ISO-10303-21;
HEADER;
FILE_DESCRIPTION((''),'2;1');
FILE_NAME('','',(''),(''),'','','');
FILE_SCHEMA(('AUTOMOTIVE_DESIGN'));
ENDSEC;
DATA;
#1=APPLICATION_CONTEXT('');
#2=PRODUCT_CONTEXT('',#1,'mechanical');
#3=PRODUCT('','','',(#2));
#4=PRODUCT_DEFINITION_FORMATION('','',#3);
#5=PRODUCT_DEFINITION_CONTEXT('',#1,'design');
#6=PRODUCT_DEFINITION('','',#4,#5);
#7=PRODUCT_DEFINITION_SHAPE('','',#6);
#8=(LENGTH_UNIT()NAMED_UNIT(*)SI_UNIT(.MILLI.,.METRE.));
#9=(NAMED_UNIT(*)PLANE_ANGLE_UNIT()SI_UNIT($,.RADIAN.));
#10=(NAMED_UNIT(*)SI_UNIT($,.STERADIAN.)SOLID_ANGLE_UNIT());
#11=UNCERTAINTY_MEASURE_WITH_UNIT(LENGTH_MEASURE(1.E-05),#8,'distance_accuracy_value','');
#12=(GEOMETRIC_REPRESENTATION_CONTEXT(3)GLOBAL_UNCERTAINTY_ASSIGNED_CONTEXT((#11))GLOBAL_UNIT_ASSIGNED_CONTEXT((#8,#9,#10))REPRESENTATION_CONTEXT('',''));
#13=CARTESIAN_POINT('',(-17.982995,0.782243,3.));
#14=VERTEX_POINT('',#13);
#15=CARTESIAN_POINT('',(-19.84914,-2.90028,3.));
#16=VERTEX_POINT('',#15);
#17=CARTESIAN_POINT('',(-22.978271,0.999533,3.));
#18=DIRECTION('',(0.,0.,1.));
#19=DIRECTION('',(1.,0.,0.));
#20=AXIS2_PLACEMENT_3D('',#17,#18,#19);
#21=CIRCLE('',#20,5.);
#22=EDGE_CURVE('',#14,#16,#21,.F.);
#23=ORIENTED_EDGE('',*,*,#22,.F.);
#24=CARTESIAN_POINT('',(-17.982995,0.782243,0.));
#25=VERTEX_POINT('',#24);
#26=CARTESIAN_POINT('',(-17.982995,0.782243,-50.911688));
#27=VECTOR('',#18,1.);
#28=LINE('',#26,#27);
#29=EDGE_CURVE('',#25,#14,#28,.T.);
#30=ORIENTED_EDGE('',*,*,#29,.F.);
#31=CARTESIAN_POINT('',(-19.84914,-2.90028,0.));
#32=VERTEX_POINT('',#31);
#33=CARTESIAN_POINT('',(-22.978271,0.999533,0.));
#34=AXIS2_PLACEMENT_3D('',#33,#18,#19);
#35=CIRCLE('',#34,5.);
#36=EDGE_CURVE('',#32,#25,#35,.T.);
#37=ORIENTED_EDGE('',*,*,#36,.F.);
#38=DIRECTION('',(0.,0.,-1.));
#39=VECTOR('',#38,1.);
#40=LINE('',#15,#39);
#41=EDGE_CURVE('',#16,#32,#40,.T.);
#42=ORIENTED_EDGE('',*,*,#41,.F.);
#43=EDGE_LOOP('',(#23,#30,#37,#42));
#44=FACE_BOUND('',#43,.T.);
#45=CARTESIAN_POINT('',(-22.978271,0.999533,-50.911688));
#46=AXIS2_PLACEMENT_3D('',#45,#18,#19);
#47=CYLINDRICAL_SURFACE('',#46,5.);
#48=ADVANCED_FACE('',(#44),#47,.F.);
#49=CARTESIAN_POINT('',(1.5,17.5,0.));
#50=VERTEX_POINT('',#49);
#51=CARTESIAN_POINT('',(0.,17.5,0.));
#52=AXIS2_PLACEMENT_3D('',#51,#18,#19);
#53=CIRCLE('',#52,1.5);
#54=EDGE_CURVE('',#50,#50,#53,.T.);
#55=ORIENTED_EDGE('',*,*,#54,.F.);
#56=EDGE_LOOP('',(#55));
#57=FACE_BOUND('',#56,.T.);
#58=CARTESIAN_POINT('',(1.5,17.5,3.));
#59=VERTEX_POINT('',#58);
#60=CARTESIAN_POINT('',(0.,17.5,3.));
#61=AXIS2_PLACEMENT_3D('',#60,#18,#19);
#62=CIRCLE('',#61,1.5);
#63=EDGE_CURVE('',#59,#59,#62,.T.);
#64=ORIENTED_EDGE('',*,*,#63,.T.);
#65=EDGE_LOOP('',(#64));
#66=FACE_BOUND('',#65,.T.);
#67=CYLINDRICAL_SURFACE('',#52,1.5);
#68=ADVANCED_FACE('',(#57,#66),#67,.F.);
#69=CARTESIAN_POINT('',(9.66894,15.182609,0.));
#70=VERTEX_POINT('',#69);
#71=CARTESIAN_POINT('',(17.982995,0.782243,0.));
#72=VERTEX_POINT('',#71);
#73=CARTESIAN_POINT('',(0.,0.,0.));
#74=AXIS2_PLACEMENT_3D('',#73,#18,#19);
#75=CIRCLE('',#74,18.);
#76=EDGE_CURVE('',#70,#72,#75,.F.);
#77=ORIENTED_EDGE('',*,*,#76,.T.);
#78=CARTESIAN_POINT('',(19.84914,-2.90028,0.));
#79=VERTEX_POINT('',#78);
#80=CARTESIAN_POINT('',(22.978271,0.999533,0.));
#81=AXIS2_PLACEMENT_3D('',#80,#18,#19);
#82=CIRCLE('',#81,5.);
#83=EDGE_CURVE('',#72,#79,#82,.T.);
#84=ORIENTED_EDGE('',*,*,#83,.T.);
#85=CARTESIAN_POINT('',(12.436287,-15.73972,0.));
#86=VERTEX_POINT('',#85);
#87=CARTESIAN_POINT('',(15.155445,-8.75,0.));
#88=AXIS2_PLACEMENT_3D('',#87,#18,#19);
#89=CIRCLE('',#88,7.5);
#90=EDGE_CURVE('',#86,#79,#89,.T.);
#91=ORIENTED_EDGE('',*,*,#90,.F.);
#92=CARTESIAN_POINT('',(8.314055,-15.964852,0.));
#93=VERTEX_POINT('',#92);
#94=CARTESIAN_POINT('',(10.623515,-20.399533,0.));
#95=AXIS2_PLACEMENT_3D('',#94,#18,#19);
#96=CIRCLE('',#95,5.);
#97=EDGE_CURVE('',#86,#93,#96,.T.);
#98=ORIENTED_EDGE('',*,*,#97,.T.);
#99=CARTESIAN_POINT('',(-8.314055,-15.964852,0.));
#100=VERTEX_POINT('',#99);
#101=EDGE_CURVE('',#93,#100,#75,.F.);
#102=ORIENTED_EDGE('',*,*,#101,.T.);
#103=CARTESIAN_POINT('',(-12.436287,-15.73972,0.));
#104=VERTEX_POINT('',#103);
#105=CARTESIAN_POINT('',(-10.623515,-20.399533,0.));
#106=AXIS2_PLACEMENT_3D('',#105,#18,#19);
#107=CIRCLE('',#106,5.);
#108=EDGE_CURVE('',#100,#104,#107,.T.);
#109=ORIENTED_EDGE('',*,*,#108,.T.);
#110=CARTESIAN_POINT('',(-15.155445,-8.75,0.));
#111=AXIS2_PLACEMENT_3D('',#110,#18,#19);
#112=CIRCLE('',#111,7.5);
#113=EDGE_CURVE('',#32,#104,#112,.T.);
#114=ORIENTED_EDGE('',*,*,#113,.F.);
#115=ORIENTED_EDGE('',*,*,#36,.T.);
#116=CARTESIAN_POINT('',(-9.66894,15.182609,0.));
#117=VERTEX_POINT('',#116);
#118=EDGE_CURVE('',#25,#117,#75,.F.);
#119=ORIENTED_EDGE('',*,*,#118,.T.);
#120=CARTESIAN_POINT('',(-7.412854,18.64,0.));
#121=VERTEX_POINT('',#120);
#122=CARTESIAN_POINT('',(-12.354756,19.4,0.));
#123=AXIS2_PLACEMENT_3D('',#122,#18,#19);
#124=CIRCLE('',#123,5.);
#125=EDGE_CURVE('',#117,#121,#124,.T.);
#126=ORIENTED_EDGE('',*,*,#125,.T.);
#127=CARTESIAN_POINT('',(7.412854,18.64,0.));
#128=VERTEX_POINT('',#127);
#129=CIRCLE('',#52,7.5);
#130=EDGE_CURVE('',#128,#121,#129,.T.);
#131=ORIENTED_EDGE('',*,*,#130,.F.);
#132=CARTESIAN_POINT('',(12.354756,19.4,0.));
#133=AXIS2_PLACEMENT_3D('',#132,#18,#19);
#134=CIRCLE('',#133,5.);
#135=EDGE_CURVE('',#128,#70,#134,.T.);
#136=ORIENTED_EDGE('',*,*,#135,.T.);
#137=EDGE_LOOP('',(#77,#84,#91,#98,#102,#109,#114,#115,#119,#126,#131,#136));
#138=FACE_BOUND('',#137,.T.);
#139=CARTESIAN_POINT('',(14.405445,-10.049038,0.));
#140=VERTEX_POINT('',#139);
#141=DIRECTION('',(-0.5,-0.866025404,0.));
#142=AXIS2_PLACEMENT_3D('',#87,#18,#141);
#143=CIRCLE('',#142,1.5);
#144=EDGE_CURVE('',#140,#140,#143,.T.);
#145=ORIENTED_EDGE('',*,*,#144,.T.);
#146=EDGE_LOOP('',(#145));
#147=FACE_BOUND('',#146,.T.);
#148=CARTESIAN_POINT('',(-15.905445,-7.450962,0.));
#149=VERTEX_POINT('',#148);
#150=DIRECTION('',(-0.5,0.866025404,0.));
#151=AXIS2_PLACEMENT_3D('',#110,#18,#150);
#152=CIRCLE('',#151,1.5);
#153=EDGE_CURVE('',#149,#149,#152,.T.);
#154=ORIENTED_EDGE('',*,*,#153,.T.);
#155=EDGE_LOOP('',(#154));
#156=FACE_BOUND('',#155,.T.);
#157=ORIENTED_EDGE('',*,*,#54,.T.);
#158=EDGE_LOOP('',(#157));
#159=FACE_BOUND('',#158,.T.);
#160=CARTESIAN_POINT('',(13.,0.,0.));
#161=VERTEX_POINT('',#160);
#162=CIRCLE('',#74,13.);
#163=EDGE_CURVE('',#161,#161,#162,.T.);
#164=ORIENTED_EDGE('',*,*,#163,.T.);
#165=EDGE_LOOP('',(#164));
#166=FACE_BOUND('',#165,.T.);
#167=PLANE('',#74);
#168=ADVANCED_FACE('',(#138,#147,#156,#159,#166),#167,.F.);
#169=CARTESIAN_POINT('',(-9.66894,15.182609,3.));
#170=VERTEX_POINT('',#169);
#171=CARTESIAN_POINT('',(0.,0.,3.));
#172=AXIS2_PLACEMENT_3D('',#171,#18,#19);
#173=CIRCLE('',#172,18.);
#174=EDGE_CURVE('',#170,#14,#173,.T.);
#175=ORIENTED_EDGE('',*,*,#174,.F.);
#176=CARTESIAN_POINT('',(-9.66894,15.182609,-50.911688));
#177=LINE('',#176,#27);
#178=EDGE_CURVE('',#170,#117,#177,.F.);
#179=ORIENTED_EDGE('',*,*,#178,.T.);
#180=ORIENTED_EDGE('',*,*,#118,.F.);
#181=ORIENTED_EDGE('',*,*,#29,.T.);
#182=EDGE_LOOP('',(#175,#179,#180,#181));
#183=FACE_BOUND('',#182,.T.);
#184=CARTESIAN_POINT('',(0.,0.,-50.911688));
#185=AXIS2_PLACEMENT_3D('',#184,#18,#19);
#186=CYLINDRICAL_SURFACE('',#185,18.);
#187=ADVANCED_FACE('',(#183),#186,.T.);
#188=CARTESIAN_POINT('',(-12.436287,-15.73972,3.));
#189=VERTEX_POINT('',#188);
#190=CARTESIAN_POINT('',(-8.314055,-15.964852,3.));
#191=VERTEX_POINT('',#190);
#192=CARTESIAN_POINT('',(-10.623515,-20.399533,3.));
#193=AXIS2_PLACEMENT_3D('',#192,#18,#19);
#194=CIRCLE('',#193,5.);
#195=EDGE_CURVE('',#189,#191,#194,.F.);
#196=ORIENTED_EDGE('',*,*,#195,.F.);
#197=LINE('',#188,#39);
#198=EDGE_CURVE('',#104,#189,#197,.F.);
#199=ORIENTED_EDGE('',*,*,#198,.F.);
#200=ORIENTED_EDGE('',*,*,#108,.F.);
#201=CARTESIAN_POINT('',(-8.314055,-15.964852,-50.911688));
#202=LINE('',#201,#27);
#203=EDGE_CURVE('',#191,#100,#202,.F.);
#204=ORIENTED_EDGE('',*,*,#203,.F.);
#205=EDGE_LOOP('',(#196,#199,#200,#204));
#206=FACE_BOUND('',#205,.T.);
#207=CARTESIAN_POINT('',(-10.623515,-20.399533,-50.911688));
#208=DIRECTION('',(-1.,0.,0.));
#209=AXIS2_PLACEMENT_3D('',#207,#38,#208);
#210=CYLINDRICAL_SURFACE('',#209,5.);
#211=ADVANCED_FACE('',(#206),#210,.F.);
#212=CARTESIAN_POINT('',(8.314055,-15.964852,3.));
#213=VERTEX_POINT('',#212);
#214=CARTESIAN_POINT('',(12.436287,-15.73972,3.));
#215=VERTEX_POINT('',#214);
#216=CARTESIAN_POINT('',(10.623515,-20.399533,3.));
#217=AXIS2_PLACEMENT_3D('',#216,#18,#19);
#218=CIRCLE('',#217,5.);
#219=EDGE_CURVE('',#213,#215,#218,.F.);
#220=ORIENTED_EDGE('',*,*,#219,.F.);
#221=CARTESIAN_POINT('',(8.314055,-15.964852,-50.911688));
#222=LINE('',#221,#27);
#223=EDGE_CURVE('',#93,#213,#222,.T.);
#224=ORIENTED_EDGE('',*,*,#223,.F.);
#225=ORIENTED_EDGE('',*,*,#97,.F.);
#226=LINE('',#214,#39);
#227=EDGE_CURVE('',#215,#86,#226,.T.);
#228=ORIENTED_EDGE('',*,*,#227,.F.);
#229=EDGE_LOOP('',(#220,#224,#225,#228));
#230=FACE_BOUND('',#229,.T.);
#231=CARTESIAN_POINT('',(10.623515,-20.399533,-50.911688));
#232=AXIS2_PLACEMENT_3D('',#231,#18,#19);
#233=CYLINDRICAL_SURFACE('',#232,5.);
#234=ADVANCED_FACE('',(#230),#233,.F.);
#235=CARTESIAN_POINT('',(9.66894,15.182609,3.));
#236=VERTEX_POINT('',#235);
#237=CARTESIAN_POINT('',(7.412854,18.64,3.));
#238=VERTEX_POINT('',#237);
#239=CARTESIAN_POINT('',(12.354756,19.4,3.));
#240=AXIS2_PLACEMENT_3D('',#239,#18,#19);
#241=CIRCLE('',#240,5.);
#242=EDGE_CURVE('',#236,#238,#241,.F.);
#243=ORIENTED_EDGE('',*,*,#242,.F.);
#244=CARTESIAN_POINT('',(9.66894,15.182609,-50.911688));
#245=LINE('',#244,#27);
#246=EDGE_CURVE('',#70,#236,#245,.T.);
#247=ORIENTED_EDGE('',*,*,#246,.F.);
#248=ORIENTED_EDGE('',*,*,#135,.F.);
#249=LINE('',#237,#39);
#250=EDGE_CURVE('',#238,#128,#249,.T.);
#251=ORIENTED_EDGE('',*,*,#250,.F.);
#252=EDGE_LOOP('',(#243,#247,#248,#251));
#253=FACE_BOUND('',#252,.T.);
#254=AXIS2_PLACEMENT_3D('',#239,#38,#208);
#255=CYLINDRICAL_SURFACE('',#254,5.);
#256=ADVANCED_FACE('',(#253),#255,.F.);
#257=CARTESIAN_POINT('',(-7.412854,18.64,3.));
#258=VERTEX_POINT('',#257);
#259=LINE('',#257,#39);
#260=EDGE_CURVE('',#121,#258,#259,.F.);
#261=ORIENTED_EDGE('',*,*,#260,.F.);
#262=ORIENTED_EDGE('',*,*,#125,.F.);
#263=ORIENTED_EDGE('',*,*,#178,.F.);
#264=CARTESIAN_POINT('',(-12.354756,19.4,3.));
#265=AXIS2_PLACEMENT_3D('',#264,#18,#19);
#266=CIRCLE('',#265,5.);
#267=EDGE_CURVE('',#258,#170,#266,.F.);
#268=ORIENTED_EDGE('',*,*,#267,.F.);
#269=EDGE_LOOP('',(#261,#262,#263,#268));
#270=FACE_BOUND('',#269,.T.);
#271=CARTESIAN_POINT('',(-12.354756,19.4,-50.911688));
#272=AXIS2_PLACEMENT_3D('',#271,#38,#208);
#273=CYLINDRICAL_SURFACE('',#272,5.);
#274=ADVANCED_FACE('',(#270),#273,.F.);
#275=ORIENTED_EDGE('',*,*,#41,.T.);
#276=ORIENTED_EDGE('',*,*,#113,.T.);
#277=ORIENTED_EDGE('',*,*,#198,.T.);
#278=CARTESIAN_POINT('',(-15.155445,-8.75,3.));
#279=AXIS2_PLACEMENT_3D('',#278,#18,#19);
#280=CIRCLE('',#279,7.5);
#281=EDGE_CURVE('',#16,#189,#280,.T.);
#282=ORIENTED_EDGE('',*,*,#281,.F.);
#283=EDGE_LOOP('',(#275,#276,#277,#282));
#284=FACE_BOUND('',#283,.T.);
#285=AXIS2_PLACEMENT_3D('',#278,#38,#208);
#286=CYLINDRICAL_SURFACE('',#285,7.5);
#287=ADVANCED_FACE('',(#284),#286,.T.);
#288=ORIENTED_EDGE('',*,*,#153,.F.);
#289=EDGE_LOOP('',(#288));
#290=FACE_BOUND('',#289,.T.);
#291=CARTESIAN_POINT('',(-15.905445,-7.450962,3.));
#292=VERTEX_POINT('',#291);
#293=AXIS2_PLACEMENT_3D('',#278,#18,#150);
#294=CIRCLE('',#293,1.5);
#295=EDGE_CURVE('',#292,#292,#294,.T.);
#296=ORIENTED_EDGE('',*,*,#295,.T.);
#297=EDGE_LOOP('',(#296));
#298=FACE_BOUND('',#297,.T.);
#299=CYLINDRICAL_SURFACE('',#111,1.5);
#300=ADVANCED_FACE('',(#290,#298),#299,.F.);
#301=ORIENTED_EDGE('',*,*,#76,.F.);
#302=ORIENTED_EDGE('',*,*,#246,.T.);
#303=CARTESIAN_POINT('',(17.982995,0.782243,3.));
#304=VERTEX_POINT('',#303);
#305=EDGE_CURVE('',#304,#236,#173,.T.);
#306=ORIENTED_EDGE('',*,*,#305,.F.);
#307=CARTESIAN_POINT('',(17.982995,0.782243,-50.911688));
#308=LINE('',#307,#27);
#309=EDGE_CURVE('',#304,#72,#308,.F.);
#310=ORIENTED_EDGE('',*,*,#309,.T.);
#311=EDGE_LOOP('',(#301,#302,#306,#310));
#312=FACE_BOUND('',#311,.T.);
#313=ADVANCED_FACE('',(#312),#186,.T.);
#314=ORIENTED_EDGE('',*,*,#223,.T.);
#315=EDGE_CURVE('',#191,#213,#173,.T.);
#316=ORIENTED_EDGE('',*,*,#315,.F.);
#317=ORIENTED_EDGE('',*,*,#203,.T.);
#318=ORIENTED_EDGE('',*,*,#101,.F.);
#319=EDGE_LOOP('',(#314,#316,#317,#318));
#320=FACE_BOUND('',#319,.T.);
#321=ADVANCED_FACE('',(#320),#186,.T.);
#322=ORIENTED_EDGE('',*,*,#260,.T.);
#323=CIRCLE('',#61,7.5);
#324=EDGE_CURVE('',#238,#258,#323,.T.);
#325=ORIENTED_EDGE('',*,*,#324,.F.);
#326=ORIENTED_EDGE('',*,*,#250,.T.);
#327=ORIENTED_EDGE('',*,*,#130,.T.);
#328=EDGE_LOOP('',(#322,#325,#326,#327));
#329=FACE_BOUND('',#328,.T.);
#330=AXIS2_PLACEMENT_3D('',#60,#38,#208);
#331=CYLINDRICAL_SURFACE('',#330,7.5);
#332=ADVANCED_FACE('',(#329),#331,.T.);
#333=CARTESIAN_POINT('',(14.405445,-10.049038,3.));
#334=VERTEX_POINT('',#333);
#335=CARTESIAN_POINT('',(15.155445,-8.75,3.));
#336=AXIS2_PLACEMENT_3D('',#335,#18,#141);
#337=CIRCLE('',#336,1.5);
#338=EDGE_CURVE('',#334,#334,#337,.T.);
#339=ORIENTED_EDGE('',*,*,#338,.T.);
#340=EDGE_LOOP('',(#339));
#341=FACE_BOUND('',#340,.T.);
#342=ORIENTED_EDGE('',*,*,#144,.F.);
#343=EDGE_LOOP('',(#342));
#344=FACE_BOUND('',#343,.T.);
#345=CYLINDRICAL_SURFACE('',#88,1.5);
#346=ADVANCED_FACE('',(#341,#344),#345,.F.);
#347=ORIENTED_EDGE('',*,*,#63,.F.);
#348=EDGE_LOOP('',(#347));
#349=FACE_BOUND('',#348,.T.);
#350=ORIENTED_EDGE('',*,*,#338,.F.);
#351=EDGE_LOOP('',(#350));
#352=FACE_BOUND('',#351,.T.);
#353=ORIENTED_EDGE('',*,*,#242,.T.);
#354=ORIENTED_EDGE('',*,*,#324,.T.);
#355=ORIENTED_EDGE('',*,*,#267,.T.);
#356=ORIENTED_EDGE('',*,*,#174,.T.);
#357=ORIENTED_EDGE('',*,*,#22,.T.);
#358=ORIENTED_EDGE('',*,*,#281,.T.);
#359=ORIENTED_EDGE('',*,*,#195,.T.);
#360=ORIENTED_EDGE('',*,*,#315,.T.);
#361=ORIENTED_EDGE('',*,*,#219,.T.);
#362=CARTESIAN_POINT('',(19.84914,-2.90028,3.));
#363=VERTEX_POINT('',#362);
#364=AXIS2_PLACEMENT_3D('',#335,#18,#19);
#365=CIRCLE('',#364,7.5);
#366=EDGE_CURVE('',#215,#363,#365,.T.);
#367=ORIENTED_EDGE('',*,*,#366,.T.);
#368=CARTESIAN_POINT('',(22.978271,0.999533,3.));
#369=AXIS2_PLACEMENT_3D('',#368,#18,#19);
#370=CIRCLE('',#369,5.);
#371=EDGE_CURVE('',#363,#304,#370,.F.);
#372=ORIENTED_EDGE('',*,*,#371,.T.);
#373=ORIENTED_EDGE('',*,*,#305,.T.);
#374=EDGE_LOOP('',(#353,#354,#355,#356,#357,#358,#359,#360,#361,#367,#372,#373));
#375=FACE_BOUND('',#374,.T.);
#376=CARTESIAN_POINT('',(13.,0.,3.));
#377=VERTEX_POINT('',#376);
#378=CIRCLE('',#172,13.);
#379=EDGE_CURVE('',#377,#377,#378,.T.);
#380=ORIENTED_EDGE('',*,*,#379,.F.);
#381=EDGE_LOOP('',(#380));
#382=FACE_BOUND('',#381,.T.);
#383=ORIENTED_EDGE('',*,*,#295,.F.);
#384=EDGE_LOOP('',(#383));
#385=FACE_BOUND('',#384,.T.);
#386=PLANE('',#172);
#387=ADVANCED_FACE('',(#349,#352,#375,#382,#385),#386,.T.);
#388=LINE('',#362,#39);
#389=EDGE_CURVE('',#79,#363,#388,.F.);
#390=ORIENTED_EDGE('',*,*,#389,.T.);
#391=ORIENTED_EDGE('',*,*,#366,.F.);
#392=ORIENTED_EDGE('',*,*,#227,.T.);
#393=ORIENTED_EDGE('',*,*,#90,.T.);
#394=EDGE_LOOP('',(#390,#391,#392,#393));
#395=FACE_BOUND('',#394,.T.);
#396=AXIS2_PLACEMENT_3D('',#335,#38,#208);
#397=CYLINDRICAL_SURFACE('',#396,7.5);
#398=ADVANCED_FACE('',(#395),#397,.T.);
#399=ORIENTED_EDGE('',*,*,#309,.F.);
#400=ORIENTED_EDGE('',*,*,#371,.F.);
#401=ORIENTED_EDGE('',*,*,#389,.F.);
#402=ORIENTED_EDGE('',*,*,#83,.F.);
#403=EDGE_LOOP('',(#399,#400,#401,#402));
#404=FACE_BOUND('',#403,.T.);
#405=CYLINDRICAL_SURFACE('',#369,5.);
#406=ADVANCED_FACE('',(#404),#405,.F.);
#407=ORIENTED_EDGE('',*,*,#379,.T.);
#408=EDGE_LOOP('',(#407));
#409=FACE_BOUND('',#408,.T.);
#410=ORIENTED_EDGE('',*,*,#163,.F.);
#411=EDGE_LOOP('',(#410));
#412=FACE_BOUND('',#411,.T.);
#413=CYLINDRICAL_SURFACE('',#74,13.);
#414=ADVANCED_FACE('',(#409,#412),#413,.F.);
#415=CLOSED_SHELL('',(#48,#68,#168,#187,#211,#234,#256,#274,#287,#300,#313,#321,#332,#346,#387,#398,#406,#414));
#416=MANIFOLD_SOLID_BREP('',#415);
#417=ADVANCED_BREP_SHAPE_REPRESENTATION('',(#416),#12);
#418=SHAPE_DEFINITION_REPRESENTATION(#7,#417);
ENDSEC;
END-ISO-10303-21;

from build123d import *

# Parameters (mm, degrees)
SKETCH_2_R               = 8.75
EXTRUDE_1_DEPTH          = 3
SKETCH_3_R               = 1.5
CUT_EXTRUDE_1_DEPTH      = 34.87136207
PATTERN_CIRCULAR_1_COUNT = 3
PATTERN_CIRCULAR_1_ANGLE = 240
SKETCH_4_R               = 18
EXTRUDE_2_DEPTH          = 3
FILLET_1_R               = 5
SKETCH_5_R               = 13
CUT_EXTRUDE_2_DEPTH      = 34.87136222
SKETCH_6_R               = 1.5
CUT_EXTRUDE_3_DEPTH      = 34.87136222
PATTERN_CIRCULAR_2_COUNT = 3
PATTERN_CIRCULAR_2_ANGLE = 240


with BuildPart() as part:
    # 草图2 → 凸台-拉伸1 (new body)
    with BuildSketch(Plane.XY):
        with BuildLine():
            ThreePointArc((11.405444566, -15.245190528), (21.650635095, -12.5), (18.905444566, -2.254809472))
            ThreePointArc((18.905444566, -2.254809472), (10.556079661, 6.094555434), (7.5, 17.5))
            ThreePointArc((7.5, 17.5), (0, 25), (-7.5, 17.5))
            ThreePointArc((-7.5, 17.5), (-10.556079661, 6.094555434), (-18.905444566, -2.254809472))
            ThreePointArc((-18.905444566, -2.254809472), (-21.650635095, -12.5), (-11.405444566, -15.245190528))
            ThreePointArc((-11.405444566, -15.245190528), (0, -12.189110868), (11.405444566, -15.245190528))
        make_face()
        Circle(SKETCH_2_R, mode=Mode.SUBTRACT)
    extrude(amount=EXTRUDE_1_DEPTH)

    # 草图3 → 切除-拉伸1 (cut, through all)
    with BuildSketch(Plane.XY.offset(3)):
        with Locations((0, 17.5)):
            Circle(SKETCH_3_R)
    cut_extrude_1 = extrude(amount=-CUT_EXTRUDE_1_DEPTH, mode=Mode.SUBTRACT)

    # 阵列(圆周)1: 切除-拉伸1 ×3 about axis
    pattern_circular_1_axis = Axis((0, 0, 0), (0, 0, -1))
    for i in range(1, PATTERN_CIRCULAR_1_COUNT):
        add(cut_extrude_1.rotate(pattern_circular_1_axis, i * PATTERN_CIRCULAR_1_ANGLE / (PATTERN_CIRCULAR_1_COUNT - 1)), mode=Mode.SUBTRACT)

    # 草图4 → 凸台-拉伸2 (add)
    with BuildSketch(Plane.XY.offset(3)):
        Circle(SKETCH_4_R)
    extrude(amount=-EXTRUDE_2_DEPTH)

    # 圆角1
    fillet_1_edges = [part.edges().sort_by_distance(p)[0] for p in [
        (17.923796485, -1.65454512, 1.5),
        (7.529020137, 16.349735649, 1.5),
        (-7.529020137, 16.349735649, 1.5),
        (-17.923796485, -1.65454512, 1.5),
        (-10.394776348, -14.695190528, 1.5),
        (10.394776348, -14.695190528, 1.5),
    ]]
    fillet(fillet_1_edges, radius=FILLET_1_R)

    # 草图5 → 切除-拉伸2 (cut, through all)
    with BuildSketch(Plane.XY.offset(3)):
        Circle(SKETCH_5_R)
    extrude(amount=-CUT_EXTRUDE_2_DEPTH, mode=Mode.SUBTRACT)

    # 草图6 → 切除-拉伸3 (cut, through all)
    with BuildSketch(Plane.XY.offset(3)):
        with Locations((0, 17.5)):
            Circle(SKETCH_6_R)
    extrude(amount=-CUT_EXTRUDE_3_DEPTH, mode=Mode.SUBTRACT)

    # 阵列(圆周)2: 切除-拉伸1 ×3 about axis
    pattern_circular_2_axis = Axis((0, 0, -50.911688245), (0, 0, 1))
    for i in range(1, PATTERN_CIRCULAR_2_COUNT):
        add(cut_extrude_1.rotate(pattern_circular_2_axis, i * PATTERN_CIRCULAR_2_ANGLE / (PATTERN_CIRCULAR_2_COUNT - 1)), mode=Mode.SUBTRACT)


solid = part.part
